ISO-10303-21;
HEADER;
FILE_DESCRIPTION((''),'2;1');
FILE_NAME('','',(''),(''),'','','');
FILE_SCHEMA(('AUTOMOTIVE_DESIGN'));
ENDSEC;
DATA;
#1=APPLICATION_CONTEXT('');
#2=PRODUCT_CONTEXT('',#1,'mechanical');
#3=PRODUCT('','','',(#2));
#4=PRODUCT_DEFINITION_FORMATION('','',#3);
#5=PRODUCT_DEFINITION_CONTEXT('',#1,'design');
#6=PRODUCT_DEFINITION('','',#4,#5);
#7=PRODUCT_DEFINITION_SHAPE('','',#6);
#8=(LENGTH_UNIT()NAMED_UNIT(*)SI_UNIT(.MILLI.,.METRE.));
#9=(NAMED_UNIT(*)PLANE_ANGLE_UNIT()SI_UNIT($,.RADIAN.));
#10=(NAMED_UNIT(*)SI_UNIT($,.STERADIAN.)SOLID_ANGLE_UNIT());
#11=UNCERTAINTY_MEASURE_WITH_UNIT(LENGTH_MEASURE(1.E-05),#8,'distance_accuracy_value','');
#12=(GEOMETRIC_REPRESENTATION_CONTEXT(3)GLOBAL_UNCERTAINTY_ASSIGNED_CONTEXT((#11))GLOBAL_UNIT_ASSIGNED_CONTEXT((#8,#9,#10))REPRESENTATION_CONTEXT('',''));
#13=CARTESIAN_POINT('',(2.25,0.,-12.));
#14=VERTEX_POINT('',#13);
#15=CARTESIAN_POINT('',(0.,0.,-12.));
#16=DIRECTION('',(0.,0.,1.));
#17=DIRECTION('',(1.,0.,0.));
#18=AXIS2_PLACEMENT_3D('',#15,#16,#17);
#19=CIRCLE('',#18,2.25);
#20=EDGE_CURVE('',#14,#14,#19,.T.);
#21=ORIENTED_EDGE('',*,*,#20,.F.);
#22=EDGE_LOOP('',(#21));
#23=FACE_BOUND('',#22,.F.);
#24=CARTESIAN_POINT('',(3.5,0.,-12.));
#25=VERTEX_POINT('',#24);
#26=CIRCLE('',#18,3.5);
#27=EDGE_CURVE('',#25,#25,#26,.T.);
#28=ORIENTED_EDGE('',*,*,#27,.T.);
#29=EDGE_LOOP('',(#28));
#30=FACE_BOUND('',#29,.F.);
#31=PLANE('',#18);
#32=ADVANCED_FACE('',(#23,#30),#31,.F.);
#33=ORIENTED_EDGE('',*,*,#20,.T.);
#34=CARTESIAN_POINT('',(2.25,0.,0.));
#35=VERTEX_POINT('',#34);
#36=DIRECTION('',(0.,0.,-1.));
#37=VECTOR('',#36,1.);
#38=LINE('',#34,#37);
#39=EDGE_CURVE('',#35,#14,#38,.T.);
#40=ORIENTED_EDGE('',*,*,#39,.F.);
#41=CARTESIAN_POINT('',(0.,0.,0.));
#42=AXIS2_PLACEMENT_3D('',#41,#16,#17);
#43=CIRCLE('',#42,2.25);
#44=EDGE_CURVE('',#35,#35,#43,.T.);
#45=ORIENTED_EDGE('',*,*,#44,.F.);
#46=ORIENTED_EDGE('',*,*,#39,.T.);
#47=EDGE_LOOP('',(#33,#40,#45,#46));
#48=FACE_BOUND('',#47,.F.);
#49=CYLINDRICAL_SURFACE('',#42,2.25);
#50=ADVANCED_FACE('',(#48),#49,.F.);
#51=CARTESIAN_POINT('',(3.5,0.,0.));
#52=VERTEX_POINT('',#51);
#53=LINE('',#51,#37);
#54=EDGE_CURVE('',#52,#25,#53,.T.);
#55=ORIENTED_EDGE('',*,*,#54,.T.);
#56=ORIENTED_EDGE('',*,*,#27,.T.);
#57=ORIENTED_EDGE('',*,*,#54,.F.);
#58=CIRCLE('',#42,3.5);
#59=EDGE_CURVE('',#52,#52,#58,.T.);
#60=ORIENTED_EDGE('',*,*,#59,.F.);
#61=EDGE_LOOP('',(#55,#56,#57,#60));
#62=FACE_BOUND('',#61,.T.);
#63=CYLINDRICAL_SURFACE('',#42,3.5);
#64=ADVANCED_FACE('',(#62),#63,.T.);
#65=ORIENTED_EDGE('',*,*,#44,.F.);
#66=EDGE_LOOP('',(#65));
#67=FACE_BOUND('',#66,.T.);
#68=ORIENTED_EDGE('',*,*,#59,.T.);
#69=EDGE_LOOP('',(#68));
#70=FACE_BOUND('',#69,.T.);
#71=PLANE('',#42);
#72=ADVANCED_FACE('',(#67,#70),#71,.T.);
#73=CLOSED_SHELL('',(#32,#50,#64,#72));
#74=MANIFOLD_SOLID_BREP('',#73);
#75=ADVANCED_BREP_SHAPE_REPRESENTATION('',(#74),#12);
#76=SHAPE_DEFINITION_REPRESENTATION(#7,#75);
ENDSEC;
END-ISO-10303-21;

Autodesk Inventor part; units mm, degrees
ref_plane "YZ Plane" through (0, 0, 0) normal (1, 0, 0) x (0, 1, 0)
ref_plane "XZ Plane" through (0, 0, 0) normal (0, 1, 0) x (-1, 0, 0)
ref_plane "XY Plane" through (0, 0, 0) normal (0, 0, 1) x (1, 0, 0)
sketch "Sketch1" plane through (0, 0, 0) normal (0, 0, 1) x (1, 0, 0)
  circle A0 centre (0, 0) radius 2.25
  circle A1 centre (0, 0) radius 3.5
  dimension "d0" = 4.5
  dimension "d1" = 7
extrude "Extrusion1" add sketch "Sketch1" against normal blind 12
properties part number "spacers"
